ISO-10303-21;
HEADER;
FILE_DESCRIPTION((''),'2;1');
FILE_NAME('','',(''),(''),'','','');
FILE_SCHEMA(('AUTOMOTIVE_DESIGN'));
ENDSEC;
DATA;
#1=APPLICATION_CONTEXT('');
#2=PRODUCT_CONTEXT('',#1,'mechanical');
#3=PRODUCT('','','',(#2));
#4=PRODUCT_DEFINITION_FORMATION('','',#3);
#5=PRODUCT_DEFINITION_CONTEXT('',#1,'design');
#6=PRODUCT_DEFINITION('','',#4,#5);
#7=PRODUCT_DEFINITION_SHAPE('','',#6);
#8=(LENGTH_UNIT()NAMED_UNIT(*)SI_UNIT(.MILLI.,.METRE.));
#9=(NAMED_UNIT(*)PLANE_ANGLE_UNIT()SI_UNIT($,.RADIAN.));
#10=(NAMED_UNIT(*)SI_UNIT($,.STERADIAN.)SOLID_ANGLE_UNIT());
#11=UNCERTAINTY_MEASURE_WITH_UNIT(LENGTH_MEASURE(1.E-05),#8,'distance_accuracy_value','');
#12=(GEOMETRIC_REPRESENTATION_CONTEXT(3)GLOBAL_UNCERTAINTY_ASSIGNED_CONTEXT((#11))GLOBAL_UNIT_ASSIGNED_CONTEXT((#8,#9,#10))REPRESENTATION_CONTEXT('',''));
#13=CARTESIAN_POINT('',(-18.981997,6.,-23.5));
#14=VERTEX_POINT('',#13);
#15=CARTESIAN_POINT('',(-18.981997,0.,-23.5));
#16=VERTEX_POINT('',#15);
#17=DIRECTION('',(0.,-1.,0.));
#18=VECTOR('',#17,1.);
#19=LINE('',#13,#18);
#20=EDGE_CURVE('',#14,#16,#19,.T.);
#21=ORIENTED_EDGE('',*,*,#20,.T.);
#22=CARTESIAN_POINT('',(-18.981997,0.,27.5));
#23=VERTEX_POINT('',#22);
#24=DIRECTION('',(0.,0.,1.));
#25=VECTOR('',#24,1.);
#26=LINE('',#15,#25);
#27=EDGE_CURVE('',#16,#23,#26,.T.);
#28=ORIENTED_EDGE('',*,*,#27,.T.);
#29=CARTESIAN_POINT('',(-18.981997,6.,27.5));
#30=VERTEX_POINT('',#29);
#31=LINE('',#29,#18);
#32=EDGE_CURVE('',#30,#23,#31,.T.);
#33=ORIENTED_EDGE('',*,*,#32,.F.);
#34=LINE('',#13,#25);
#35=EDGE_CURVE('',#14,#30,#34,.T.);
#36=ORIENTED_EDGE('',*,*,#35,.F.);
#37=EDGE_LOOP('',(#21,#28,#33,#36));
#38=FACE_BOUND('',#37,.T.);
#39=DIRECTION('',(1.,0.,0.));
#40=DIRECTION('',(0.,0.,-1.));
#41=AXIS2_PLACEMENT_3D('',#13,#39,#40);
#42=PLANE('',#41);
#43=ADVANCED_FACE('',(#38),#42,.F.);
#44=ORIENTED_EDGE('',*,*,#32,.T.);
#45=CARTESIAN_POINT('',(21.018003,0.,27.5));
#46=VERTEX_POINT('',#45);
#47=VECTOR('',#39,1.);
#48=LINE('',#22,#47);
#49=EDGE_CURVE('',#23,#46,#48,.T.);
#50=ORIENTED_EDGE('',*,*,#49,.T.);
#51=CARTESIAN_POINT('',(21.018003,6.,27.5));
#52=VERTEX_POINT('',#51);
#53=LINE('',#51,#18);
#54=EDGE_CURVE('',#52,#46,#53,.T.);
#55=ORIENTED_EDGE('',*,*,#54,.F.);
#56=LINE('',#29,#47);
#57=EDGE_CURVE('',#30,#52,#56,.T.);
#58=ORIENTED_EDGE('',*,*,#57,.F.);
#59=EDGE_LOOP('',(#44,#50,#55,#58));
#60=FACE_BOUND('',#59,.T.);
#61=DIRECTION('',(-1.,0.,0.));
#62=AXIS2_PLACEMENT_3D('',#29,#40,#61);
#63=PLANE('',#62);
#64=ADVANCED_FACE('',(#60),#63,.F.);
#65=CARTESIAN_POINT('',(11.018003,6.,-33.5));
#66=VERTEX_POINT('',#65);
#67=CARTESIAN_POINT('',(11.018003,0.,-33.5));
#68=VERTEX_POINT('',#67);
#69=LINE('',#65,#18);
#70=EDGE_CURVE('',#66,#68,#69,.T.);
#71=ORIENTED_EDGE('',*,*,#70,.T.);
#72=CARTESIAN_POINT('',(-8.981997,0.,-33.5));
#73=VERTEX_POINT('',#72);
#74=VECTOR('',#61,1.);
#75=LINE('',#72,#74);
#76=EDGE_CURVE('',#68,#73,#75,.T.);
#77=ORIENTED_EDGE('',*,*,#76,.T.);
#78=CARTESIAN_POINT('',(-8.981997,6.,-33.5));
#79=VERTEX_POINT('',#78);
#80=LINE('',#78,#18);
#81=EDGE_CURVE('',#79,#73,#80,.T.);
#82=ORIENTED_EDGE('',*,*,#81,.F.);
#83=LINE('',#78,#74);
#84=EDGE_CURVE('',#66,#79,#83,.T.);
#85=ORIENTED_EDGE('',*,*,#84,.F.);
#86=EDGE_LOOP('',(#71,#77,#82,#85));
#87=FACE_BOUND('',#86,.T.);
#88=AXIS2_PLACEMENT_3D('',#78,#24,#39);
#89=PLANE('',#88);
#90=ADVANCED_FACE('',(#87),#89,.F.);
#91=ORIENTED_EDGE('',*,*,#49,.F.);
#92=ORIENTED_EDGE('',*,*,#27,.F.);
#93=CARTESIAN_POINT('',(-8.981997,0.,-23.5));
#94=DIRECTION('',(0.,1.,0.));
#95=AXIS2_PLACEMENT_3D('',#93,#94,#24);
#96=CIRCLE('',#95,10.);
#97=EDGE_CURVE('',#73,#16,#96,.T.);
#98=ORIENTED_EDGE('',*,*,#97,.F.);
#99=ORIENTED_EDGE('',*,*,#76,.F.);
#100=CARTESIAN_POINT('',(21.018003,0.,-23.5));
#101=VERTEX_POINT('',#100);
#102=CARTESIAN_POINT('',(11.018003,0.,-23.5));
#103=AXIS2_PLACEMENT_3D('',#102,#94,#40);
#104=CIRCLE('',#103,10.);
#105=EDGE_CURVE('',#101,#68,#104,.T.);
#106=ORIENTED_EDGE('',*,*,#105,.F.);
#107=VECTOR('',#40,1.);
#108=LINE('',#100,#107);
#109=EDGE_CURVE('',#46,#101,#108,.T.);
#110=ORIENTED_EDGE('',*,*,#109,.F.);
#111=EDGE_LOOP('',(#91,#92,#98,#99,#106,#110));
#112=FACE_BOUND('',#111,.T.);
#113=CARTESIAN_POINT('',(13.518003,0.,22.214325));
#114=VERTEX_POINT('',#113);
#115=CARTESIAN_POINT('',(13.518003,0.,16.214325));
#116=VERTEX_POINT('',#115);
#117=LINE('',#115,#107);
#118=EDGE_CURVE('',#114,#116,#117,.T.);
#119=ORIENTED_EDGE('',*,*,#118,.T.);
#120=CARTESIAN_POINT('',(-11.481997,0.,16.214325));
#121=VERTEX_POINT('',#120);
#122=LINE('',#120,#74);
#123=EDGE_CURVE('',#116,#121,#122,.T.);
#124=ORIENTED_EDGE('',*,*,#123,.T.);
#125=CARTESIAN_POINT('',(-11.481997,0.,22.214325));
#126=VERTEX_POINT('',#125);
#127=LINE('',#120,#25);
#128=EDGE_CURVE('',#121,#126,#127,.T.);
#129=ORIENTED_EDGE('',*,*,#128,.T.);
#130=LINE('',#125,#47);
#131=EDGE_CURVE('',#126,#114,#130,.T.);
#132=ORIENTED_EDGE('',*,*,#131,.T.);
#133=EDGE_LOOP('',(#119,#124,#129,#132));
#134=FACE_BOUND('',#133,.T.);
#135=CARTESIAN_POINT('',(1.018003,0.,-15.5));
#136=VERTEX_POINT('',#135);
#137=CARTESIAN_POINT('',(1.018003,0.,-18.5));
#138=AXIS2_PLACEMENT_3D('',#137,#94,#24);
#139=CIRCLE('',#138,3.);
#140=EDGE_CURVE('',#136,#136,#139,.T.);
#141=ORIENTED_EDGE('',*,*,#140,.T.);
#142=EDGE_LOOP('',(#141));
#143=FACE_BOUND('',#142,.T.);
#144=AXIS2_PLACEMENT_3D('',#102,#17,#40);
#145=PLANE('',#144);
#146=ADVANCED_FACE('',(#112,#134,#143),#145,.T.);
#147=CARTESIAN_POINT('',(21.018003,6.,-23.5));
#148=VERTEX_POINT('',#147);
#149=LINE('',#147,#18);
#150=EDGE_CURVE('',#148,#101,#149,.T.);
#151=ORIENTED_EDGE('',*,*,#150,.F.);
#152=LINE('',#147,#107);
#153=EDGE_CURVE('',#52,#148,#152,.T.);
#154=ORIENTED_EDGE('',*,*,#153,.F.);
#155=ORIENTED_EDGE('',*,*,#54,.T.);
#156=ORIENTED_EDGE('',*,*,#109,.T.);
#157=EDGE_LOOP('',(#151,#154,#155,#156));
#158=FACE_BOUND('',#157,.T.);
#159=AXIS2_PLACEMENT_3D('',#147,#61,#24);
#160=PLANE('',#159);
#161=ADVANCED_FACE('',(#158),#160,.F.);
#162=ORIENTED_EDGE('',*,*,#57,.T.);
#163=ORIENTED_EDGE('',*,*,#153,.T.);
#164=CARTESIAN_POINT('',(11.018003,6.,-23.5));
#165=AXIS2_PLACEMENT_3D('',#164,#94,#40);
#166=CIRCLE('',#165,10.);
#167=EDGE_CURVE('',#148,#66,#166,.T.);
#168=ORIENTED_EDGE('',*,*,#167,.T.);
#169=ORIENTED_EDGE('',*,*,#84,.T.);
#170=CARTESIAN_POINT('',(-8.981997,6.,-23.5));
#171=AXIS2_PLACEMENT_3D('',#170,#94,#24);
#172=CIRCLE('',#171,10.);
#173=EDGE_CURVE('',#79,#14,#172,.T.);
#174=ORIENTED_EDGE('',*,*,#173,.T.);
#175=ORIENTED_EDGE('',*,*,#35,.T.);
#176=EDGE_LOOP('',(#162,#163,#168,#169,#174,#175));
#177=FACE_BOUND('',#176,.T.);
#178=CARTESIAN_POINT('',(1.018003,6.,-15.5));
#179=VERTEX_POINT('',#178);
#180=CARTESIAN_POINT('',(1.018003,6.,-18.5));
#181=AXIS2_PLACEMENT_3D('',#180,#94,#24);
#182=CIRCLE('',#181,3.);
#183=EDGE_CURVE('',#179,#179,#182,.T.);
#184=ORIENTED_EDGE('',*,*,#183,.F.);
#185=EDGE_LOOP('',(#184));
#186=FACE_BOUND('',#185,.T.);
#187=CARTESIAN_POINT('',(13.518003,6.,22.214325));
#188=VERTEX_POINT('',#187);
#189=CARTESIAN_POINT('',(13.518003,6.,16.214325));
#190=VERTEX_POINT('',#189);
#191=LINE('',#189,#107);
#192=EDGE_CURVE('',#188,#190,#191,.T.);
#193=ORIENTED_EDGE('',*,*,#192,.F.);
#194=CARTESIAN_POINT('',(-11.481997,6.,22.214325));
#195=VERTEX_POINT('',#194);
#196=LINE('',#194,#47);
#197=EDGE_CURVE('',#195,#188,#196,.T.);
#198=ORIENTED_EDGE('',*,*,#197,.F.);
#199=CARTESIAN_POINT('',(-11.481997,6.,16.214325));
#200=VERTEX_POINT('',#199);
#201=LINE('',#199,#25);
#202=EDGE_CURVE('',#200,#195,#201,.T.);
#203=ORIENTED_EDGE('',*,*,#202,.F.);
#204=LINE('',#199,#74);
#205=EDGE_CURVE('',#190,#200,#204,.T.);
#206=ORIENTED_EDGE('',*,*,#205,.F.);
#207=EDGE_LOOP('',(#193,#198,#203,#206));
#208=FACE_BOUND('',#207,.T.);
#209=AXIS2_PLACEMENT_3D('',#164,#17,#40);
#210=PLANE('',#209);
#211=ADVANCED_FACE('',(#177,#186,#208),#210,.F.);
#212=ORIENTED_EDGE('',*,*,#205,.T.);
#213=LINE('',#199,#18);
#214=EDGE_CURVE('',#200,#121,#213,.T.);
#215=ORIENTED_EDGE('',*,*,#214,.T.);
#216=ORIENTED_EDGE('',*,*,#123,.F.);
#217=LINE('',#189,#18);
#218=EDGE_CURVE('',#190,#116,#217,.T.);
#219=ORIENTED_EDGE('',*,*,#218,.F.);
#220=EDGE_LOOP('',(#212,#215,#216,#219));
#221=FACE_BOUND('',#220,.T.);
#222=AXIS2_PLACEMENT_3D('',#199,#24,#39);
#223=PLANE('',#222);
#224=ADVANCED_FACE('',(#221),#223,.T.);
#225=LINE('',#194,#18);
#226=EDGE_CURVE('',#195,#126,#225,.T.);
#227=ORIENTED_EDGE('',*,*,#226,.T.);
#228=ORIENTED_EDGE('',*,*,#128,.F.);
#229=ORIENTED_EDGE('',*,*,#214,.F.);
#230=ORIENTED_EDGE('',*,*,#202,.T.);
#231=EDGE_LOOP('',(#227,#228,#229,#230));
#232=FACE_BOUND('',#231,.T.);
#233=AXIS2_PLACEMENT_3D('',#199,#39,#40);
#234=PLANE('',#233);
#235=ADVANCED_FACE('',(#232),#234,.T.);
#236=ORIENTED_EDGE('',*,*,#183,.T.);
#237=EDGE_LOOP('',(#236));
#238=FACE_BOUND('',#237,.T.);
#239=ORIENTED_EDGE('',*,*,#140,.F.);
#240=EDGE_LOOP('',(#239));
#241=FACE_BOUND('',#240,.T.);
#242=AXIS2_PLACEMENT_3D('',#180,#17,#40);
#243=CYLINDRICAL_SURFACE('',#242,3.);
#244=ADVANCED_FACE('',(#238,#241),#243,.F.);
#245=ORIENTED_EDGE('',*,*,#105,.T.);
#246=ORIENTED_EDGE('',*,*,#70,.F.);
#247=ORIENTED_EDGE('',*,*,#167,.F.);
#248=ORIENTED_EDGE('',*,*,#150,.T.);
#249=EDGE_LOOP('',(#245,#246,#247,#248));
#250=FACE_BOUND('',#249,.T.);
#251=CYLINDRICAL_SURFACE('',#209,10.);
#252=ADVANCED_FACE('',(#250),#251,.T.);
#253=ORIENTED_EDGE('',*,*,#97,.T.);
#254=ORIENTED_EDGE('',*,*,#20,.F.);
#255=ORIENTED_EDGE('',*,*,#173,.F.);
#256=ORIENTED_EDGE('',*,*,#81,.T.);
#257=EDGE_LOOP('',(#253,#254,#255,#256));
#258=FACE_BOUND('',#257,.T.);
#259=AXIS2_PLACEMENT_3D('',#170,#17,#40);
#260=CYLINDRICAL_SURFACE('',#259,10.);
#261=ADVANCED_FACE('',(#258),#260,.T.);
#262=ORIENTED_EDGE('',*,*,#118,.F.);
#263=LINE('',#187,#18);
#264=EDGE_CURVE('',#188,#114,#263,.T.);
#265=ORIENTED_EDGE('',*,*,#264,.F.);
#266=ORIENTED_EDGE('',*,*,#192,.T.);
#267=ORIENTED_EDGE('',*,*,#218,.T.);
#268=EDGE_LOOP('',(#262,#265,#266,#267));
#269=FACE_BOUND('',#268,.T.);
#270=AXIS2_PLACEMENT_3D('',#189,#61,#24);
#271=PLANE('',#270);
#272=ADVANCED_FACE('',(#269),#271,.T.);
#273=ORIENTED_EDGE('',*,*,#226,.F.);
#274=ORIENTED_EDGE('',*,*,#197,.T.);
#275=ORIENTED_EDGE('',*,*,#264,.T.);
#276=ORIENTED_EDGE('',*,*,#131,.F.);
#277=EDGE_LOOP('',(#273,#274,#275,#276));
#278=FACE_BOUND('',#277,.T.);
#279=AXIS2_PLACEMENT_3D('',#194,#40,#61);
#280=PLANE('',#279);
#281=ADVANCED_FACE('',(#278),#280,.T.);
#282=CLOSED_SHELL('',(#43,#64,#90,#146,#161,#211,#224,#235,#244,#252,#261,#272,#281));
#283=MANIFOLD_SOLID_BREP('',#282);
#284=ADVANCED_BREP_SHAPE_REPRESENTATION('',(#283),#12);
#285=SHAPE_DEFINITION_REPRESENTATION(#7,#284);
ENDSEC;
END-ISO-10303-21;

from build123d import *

# Parameters (mm, degrees)
SKETCH1_R           = 3
SKETCH1_W           = 25
SKETCH1_H           = 6
BOSS_EXTRUDE1_DEPTH = 6


with BuildPart() as part:
    # Sketch1 → Boss-Extrude1 (new body)
    with BuildSketch(Plane(origin=(0, 0, 0), x_dir=(1, 0, 0), z_dir=(0, 1, 0))):
        with BuildLine():
            Line((-18.981997388, -27.5), (21.018002612, -27.5))
            Line((21.018002612, -27.5), (21.018002612, 23.5))
            ThreePointArc((21.018002612, 23.5), (18.089070424, 30.571067812), (11.018002612, 33.5))
            Line((11.018002612, 33.5), (-8.981997388, 33.5))
            ThreePointArc((-8.981997388, 33.5), (-16.053065199, 30.571067812), (-18.981997388, 23.5))
            Line((-18.981997388, 23.5), (-18.981997388, -27.5))
        make_face()
        with Locations((1.018002612, 18.5)):
            Circle(SKETCH1_R, mode=Mode.SUBTRACT)
        with Locations((1.018002612, -19.214324507)):
            Rectangle(SKETCH1_W, SKETCH1_H, mode=Mode.SUBTRACT)
    extrude(amount=BOSS_EXTRUDE1_DEPTH)


solid = part.part
